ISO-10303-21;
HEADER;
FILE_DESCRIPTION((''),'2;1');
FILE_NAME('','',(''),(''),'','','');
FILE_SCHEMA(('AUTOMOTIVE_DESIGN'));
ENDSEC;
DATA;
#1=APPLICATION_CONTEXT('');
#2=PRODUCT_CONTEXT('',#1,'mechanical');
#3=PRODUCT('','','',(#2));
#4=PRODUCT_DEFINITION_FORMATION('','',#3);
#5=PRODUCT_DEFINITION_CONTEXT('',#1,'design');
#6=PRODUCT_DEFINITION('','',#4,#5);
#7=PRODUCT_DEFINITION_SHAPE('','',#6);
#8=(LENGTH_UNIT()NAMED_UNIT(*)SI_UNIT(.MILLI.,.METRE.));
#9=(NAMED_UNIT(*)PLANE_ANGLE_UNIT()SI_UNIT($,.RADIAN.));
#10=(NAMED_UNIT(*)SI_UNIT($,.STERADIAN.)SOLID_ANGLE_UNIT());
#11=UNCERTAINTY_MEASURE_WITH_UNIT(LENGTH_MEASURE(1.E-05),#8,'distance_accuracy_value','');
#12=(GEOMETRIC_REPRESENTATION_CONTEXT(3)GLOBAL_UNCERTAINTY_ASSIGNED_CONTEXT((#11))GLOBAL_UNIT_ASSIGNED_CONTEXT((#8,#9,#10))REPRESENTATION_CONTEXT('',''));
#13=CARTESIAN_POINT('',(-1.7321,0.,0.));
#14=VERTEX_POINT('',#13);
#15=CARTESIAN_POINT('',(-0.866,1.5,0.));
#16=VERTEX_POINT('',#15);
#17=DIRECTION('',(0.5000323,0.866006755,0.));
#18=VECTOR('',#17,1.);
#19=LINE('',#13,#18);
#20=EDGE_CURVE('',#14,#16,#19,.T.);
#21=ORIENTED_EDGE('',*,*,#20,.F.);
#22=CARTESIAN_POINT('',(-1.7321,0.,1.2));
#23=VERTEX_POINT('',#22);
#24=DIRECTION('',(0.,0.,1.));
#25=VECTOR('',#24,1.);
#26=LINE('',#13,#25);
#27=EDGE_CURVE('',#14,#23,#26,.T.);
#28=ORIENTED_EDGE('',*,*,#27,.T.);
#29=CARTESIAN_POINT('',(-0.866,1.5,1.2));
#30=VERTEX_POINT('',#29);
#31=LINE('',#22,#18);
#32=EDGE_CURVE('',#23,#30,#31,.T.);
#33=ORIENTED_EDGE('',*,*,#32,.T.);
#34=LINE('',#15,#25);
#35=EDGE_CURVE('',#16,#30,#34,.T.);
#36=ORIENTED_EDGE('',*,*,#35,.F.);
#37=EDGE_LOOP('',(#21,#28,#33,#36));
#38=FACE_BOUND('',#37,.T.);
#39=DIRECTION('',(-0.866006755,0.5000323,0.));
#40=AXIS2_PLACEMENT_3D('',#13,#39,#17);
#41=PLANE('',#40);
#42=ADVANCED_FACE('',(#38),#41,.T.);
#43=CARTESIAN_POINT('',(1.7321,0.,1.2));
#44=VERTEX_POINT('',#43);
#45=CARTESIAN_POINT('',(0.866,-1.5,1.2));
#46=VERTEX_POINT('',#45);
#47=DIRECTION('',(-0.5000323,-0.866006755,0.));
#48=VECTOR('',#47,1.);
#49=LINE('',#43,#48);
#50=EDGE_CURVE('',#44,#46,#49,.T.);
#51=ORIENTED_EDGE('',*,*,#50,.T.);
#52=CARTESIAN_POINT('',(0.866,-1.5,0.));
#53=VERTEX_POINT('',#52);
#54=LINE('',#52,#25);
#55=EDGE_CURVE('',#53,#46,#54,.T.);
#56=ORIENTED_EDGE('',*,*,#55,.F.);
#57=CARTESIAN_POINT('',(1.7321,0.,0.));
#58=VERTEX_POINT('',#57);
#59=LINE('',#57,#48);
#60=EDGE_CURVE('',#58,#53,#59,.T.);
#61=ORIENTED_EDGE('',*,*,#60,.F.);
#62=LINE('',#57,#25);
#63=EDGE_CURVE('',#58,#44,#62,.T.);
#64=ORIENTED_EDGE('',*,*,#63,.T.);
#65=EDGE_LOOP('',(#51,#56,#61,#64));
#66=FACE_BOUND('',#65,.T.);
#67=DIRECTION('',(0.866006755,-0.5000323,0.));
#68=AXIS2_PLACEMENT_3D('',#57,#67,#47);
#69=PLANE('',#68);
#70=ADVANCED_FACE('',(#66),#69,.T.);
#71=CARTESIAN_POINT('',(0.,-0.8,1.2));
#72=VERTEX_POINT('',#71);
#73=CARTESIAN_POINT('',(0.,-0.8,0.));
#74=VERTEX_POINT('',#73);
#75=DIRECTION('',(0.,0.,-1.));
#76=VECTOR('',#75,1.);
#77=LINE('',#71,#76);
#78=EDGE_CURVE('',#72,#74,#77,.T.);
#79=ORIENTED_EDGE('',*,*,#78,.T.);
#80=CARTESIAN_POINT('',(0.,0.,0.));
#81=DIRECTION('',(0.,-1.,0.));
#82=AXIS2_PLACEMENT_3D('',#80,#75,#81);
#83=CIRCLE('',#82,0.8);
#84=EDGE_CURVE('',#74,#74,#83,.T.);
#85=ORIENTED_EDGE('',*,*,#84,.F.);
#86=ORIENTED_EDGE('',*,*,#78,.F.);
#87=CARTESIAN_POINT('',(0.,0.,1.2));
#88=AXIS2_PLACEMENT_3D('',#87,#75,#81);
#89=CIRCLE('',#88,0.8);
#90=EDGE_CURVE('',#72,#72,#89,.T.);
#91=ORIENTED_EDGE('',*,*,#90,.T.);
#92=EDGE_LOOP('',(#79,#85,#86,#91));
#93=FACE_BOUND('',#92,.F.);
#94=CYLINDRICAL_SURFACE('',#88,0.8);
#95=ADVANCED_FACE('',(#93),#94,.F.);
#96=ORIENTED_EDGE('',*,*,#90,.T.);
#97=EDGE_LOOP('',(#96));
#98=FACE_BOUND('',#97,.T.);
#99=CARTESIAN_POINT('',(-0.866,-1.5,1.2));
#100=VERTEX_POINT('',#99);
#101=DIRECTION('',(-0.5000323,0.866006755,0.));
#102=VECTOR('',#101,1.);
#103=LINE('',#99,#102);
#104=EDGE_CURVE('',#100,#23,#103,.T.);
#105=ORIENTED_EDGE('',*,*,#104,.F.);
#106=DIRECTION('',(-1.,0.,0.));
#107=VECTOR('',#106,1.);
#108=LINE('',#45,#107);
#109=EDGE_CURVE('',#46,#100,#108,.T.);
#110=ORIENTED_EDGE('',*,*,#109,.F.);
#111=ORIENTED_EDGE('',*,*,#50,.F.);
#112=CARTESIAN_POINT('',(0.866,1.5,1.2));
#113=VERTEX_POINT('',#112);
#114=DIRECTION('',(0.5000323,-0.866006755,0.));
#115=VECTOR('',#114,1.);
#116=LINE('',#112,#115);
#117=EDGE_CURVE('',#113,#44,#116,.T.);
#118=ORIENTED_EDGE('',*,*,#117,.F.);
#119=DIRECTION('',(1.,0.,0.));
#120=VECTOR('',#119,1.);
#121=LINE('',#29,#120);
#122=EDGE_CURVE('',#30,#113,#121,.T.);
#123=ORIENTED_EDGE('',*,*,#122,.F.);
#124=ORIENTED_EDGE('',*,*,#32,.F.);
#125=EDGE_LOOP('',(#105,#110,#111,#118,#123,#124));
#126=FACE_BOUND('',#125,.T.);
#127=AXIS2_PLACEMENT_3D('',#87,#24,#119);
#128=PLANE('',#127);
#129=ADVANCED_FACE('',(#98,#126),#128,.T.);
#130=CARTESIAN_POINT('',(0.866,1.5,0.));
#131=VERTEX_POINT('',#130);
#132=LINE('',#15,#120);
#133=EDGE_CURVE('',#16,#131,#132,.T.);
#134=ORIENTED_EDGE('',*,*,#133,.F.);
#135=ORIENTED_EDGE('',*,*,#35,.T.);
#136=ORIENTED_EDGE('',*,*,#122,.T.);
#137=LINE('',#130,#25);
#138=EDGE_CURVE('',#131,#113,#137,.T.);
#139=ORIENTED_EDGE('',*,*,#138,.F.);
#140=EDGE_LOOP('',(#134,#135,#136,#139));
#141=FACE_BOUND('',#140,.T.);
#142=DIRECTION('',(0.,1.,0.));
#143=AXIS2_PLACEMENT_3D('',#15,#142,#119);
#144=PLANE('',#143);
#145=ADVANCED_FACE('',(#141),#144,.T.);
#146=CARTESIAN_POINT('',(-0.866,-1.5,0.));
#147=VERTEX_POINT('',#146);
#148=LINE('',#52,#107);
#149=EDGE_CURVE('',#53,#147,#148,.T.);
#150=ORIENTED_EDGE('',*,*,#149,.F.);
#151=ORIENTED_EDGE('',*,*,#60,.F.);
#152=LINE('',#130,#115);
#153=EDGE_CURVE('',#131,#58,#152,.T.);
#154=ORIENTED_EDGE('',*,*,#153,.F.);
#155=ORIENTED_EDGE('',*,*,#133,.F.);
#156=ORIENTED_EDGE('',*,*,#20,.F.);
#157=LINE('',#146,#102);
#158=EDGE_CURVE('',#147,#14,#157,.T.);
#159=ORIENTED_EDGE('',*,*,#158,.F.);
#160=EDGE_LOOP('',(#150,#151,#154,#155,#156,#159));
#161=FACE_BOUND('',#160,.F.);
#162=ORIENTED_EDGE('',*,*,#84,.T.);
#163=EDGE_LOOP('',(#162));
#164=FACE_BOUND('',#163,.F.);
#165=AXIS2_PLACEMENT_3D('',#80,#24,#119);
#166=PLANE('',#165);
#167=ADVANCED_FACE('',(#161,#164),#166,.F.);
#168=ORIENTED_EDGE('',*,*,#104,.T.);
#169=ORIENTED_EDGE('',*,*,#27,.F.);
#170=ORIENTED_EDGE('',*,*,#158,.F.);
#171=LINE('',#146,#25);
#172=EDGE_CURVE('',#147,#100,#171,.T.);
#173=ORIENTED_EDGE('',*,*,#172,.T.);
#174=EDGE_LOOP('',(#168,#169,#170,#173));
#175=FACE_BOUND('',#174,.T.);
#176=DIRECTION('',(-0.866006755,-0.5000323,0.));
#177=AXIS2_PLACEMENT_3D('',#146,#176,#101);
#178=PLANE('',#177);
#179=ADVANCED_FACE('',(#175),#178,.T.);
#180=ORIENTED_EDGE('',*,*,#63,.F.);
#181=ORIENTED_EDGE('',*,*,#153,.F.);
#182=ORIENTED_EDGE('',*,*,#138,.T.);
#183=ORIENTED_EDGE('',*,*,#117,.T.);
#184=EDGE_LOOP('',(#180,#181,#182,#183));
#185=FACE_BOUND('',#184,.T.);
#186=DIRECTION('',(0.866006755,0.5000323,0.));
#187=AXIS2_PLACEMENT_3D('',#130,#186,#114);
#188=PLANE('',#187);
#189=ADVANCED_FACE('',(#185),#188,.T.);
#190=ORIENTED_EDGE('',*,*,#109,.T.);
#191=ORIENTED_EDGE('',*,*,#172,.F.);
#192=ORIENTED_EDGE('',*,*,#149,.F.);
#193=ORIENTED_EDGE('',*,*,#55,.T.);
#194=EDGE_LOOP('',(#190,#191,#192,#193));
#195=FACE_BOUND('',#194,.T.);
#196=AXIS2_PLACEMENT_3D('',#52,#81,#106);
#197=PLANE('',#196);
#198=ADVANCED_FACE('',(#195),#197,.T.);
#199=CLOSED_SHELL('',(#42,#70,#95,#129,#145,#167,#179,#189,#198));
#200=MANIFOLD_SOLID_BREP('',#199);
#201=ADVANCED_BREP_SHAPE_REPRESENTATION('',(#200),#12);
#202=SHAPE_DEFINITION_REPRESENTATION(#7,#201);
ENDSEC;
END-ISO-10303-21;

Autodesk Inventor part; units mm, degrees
ref_plane "YZ Plane" through (0, 0, 0) normal (1, 0, 0) x (0, 1, 0)
ref_plane "XZ Plane" through (0, 0, 0) normal (0, 1, 0) x (-1, 0, 0)
ref_plane "XY Plane" through (0, 0, 0) normal (0, 0, 1) x (1, 0, 0)
sketch "Sketch1" plane through (0, 0, 0) normal (0, 0, 1) x (1, 0, 0)
  line L0 (1.7321, 0) -> (0.866, -1.5)
  line L1 (0.866, -1.5) -> (-0.866, -1.5)
  line L2 (-0.866, -1.5) -> (-1.7321, 0)
  line L3 (-1.7321, 0) -> (-0.866, 1.5)
  line L4 (-0.866, 1.5) -> (0.866, 1.5)
  line L5 (0.866, 1.5) -> (1.7321, 0)
  point P0 (0, 0)
  point P1 (0, 0)
  dimension "d12" = 3
extrude "Extrusion1" add sketch "Sketch1" along normal blind 1.2
sketch "Sketch2" plane through (0, 0, 1.2) normal (0, 0, 1) x (1, 0, 0)
  point P0 (0, 0)
  point P1 (0, 0)
hole "Hole1" at (0, 0, 1.2) direction (0, 0, -1) diameter 1.6 end through all
thread "스레드2" size "M1.6x0.35" class "6H" standard "ANSI Metric M Profile" full length
properties part number "Nut"
